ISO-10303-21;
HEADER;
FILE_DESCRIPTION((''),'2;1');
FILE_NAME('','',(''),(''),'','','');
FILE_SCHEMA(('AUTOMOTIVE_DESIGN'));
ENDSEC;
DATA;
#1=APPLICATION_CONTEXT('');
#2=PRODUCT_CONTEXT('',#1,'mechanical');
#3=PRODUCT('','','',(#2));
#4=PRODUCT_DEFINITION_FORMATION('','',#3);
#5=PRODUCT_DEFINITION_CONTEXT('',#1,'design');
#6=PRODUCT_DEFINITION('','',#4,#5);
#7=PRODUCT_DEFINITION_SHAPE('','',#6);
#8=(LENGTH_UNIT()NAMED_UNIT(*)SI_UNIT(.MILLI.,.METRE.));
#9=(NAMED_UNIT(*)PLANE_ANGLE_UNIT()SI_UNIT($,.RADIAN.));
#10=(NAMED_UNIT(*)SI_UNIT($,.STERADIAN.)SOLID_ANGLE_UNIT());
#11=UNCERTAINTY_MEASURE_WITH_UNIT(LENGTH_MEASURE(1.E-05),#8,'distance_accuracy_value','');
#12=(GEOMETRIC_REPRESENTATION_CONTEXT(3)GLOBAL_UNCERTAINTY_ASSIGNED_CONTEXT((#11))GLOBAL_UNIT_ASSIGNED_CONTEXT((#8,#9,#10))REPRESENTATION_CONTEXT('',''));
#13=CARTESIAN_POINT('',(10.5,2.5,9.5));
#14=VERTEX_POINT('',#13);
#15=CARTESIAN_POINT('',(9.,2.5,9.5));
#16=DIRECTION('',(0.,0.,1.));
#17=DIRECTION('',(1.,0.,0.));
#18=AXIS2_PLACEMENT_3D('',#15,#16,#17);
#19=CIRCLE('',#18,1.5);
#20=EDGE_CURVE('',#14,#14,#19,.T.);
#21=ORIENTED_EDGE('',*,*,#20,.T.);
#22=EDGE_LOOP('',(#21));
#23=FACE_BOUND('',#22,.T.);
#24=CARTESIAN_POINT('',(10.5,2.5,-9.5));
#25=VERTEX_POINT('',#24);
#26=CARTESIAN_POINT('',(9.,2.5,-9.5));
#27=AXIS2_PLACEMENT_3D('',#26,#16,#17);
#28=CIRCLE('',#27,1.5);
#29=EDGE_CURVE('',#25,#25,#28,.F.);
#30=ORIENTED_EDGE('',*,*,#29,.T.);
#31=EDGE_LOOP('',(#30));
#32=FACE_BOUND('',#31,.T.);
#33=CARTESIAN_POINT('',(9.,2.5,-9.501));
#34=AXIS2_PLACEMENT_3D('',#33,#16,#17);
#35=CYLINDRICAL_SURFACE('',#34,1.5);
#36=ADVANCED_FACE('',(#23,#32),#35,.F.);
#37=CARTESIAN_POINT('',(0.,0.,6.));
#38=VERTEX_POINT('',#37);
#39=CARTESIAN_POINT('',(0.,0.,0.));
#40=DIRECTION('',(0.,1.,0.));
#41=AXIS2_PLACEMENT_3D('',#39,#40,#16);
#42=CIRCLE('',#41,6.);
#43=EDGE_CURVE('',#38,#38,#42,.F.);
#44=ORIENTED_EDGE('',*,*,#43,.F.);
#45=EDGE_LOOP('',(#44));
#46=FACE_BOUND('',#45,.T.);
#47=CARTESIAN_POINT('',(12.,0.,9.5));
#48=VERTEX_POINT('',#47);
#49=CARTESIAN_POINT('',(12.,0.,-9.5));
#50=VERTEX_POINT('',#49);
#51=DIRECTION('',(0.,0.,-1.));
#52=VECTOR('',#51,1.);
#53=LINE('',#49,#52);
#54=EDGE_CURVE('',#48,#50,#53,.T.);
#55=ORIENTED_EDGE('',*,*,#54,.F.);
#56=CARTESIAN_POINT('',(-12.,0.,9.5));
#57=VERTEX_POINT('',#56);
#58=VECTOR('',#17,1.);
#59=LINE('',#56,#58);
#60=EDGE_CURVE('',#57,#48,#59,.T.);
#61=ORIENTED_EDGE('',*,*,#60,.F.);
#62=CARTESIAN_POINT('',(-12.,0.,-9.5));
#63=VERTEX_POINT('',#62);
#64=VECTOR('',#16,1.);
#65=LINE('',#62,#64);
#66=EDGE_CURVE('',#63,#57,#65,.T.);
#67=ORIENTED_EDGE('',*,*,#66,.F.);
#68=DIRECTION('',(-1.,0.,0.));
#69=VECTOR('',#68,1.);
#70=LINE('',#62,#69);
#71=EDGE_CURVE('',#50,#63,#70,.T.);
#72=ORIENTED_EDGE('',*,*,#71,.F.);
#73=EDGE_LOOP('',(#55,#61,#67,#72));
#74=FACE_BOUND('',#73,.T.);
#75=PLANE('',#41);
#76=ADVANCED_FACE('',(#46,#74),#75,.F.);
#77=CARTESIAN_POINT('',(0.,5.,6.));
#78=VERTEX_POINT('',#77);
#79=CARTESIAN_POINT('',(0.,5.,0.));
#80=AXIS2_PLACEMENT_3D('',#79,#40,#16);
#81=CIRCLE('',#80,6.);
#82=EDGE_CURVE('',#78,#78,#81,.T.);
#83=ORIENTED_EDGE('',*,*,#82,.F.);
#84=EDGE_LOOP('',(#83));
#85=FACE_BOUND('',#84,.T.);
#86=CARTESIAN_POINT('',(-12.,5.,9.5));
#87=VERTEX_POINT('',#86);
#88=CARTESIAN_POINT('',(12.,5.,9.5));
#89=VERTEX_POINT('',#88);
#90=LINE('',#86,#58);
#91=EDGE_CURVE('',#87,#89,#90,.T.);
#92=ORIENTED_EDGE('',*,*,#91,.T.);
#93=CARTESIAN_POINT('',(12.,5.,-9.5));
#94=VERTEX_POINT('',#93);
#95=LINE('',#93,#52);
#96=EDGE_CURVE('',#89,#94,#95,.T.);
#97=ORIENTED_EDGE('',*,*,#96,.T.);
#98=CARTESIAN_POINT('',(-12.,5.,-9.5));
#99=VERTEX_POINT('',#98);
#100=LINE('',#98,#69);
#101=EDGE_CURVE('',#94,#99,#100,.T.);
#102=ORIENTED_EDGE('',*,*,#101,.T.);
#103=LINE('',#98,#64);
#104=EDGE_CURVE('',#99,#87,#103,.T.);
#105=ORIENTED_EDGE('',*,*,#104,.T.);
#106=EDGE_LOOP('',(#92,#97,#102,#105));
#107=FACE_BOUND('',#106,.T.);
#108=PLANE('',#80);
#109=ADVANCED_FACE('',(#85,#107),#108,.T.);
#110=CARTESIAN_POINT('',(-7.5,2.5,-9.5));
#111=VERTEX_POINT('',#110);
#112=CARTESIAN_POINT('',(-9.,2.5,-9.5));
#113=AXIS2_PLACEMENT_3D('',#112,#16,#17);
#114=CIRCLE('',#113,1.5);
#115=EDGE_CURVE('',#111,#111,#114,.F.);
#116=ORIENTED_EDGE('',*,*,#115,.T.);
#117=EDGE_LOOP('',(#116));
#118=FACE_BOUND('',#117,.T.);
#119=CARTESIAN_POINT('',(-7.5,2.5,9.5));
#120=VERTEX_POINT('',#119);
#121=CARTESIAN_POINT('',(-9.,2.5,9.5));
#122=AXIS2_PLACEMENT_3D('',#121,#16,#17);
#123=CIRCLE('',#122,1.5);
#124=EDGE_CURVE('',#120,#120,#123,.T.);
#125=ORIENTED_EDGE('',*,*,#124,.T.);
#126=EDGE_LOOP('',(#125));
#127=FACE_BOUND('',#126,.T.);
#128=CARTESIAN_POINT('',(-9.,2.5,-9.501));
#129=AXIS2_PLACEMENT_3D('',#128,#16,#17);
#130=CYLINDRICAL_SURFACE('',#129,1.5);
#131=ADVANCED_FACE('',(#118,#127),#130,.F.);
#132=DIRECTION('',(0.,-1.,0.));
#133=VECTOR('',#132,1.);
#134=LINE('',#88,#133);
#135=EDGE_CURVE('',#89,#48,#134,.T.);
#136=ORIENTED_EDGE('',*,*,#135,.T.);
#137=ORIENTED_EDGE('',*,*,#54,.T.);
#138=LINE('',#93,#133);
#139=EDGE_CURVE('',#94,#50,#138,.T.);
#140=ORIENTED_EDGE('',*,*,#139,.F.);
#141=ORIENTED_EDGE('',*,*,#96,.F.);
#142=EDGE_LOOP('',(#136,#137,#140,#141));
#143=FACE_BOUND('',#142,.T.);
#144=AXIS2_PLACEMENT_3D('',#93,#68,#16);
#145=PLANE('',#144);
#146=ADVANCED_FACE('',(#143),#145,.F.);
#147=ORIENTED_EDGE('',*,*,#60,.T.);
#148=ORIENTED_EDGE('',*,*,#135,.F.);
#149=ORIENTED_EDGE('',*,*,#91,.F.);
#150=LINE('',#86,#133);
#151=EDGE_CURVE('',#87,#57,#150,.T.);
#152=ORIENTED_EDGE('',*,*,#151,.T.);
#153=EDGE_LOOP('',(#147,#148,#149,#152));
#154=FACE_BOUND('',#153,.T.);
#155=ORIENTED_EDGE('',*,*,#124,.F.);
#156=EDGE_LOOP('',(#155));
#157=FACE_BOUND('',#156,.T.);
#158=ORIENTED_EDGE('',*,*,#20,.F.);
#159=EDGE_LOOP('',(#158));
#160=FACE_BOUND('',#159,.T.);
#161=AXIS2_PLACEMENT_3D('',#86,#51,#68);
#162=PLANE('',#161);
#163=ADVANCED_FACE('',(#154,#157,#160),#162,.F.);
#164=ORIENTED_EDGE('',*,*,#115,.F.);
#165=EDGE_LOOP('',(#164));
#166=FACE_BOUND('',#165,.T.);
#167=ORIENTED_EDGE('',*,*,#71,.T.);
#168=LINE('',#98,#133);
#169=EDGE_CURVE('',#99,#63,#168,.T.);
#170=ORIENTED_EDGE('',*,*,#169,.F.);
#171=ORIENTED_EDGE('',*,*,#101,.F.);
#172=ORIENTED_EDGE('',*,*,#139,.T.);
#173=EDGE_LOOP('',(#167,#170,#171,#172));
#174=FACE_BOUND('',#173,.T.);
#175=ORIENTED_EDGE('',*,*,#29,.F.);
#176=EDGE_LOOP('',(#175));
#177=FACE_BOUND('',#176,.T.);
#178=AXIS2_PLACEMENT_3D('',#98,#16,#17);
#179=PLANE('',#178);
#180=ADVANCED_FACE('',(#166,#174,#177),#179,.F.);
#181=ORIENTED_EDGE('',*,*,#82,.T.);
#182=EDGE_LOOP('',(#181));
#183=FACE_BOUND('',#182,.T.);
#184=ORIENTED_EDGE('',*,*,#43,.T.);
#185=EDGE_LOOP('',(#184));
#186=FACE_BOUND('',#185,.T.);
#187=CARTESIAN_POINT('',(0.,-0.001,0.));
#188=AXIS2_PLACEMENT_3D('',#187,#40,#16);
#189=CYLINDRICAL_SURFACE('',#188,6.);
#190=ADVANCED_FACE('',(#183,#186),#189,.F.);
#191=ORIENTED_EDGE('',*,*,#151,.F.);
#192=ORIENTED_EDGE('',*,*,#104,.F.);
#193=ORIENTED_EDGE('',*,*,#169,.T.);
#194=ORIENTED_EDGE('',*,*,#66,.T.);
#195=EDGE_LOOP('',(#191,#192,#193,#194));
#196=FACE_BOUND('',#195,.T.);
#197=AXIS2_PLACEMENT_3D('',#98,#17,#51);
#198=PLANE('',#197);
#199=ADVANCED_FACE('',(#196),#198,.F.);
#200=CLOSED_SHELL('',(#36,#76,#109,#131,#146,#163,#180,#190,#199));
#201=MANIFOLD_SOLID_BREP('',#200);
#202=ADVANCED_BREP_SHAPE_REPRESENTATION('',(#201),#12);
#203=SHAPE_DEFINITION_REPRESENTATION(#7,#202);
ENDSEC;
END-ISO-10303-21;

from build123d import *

# Parameters (mm, degrees)
SKETCH_1_W          = 24
SKETCH_1_H          = 19
EXTRUDE_1_DEPTH     = 5
CUT_EXTRUDE_1_REACH = 18.101
SKETCH_2_R          = 6
CUT_EXTRUDE_2_REACH = 25.022
SKETCH_3_R          = 1.5


with BuildPart() as part:
    # 草图1 → 凸台-拉伸1 (new body)
    with BuildSketch(Plane(origin=(0, 0, 0), x_dir=(1, 0, 0), z_dir=(0, 1, 0))):
        Rectangle(SKETCH_1_W, SKETCH_1_H)
    extrude(amount=EXTRUDE_1_DEPTH)

    # 草图2 → 切除-拉伸1 (cut, up to next)
    with BuildSketch(Plane(origin=(0, 5, 0), x_dir=(1, 0, 0), z_dir=(0, 1, 0)), mode=Mode.PRIVATE) as cut_extrude_1_sk1:
        with Locations(Location((0, 0, 0), (0, 0, 270))):
            Circle(SKETCH_2_R)
    cut_extrude_1_tool1 = extrude(cut_extrude_1_sk1.sketch, amount=-CUT_EXTRUDE_1_REACH, mode=Mode.PRIVATE) & part.part
    add(cut_extrude_1_tool1.solids().sort_by_distance((0, 5, 0))[0], mode=Mode.SUBTRACT)

    # 草图3 → 切除-拉伸2 (cut, up to next)
    with BuildSketch(Plane.XY.offset(9.5), mode=Mode.PRIVATE) as cut_extrude_2_sk1:
        with Locations((-9, 2.5)):
            Circle(SKETCH_3_R)
    cut_extrude_2_tool1 = extrude(cut_extrude_2_sk1.sketch, amount=-CUT_EXTRUDE_2_REACH, mode=Mode.PRIVATE) & part.part
    # 草图3 → 切除-拉伸2 (cut, up to next)
    with BuildSketch(Plane.XY.offset(9.5), mode=Mode.PRIVATE) as cut_extrude_2_sk2:
        with Locations((9, 2.5)):
            Circle(SKETCH_3_R)
    cut_extrude_2_tool2 = extrude(cut_extrude_2_sk2.sketch, amount=-CUT_EXTRUDE_2_REACH, mode=Mode.PRIVATE) & part.part
    add(cut_extrude_2_tool1.solids().sort_by_distance((-9, 2.5, 9.5))[0], mode=Mode.SUBTRACT)
    add(cut_extrude_2_tool2.solids().sort_by_distance((9, 2.5, 9.5))[0], mode=Mode.SUBTRACT)


solid = part.part
